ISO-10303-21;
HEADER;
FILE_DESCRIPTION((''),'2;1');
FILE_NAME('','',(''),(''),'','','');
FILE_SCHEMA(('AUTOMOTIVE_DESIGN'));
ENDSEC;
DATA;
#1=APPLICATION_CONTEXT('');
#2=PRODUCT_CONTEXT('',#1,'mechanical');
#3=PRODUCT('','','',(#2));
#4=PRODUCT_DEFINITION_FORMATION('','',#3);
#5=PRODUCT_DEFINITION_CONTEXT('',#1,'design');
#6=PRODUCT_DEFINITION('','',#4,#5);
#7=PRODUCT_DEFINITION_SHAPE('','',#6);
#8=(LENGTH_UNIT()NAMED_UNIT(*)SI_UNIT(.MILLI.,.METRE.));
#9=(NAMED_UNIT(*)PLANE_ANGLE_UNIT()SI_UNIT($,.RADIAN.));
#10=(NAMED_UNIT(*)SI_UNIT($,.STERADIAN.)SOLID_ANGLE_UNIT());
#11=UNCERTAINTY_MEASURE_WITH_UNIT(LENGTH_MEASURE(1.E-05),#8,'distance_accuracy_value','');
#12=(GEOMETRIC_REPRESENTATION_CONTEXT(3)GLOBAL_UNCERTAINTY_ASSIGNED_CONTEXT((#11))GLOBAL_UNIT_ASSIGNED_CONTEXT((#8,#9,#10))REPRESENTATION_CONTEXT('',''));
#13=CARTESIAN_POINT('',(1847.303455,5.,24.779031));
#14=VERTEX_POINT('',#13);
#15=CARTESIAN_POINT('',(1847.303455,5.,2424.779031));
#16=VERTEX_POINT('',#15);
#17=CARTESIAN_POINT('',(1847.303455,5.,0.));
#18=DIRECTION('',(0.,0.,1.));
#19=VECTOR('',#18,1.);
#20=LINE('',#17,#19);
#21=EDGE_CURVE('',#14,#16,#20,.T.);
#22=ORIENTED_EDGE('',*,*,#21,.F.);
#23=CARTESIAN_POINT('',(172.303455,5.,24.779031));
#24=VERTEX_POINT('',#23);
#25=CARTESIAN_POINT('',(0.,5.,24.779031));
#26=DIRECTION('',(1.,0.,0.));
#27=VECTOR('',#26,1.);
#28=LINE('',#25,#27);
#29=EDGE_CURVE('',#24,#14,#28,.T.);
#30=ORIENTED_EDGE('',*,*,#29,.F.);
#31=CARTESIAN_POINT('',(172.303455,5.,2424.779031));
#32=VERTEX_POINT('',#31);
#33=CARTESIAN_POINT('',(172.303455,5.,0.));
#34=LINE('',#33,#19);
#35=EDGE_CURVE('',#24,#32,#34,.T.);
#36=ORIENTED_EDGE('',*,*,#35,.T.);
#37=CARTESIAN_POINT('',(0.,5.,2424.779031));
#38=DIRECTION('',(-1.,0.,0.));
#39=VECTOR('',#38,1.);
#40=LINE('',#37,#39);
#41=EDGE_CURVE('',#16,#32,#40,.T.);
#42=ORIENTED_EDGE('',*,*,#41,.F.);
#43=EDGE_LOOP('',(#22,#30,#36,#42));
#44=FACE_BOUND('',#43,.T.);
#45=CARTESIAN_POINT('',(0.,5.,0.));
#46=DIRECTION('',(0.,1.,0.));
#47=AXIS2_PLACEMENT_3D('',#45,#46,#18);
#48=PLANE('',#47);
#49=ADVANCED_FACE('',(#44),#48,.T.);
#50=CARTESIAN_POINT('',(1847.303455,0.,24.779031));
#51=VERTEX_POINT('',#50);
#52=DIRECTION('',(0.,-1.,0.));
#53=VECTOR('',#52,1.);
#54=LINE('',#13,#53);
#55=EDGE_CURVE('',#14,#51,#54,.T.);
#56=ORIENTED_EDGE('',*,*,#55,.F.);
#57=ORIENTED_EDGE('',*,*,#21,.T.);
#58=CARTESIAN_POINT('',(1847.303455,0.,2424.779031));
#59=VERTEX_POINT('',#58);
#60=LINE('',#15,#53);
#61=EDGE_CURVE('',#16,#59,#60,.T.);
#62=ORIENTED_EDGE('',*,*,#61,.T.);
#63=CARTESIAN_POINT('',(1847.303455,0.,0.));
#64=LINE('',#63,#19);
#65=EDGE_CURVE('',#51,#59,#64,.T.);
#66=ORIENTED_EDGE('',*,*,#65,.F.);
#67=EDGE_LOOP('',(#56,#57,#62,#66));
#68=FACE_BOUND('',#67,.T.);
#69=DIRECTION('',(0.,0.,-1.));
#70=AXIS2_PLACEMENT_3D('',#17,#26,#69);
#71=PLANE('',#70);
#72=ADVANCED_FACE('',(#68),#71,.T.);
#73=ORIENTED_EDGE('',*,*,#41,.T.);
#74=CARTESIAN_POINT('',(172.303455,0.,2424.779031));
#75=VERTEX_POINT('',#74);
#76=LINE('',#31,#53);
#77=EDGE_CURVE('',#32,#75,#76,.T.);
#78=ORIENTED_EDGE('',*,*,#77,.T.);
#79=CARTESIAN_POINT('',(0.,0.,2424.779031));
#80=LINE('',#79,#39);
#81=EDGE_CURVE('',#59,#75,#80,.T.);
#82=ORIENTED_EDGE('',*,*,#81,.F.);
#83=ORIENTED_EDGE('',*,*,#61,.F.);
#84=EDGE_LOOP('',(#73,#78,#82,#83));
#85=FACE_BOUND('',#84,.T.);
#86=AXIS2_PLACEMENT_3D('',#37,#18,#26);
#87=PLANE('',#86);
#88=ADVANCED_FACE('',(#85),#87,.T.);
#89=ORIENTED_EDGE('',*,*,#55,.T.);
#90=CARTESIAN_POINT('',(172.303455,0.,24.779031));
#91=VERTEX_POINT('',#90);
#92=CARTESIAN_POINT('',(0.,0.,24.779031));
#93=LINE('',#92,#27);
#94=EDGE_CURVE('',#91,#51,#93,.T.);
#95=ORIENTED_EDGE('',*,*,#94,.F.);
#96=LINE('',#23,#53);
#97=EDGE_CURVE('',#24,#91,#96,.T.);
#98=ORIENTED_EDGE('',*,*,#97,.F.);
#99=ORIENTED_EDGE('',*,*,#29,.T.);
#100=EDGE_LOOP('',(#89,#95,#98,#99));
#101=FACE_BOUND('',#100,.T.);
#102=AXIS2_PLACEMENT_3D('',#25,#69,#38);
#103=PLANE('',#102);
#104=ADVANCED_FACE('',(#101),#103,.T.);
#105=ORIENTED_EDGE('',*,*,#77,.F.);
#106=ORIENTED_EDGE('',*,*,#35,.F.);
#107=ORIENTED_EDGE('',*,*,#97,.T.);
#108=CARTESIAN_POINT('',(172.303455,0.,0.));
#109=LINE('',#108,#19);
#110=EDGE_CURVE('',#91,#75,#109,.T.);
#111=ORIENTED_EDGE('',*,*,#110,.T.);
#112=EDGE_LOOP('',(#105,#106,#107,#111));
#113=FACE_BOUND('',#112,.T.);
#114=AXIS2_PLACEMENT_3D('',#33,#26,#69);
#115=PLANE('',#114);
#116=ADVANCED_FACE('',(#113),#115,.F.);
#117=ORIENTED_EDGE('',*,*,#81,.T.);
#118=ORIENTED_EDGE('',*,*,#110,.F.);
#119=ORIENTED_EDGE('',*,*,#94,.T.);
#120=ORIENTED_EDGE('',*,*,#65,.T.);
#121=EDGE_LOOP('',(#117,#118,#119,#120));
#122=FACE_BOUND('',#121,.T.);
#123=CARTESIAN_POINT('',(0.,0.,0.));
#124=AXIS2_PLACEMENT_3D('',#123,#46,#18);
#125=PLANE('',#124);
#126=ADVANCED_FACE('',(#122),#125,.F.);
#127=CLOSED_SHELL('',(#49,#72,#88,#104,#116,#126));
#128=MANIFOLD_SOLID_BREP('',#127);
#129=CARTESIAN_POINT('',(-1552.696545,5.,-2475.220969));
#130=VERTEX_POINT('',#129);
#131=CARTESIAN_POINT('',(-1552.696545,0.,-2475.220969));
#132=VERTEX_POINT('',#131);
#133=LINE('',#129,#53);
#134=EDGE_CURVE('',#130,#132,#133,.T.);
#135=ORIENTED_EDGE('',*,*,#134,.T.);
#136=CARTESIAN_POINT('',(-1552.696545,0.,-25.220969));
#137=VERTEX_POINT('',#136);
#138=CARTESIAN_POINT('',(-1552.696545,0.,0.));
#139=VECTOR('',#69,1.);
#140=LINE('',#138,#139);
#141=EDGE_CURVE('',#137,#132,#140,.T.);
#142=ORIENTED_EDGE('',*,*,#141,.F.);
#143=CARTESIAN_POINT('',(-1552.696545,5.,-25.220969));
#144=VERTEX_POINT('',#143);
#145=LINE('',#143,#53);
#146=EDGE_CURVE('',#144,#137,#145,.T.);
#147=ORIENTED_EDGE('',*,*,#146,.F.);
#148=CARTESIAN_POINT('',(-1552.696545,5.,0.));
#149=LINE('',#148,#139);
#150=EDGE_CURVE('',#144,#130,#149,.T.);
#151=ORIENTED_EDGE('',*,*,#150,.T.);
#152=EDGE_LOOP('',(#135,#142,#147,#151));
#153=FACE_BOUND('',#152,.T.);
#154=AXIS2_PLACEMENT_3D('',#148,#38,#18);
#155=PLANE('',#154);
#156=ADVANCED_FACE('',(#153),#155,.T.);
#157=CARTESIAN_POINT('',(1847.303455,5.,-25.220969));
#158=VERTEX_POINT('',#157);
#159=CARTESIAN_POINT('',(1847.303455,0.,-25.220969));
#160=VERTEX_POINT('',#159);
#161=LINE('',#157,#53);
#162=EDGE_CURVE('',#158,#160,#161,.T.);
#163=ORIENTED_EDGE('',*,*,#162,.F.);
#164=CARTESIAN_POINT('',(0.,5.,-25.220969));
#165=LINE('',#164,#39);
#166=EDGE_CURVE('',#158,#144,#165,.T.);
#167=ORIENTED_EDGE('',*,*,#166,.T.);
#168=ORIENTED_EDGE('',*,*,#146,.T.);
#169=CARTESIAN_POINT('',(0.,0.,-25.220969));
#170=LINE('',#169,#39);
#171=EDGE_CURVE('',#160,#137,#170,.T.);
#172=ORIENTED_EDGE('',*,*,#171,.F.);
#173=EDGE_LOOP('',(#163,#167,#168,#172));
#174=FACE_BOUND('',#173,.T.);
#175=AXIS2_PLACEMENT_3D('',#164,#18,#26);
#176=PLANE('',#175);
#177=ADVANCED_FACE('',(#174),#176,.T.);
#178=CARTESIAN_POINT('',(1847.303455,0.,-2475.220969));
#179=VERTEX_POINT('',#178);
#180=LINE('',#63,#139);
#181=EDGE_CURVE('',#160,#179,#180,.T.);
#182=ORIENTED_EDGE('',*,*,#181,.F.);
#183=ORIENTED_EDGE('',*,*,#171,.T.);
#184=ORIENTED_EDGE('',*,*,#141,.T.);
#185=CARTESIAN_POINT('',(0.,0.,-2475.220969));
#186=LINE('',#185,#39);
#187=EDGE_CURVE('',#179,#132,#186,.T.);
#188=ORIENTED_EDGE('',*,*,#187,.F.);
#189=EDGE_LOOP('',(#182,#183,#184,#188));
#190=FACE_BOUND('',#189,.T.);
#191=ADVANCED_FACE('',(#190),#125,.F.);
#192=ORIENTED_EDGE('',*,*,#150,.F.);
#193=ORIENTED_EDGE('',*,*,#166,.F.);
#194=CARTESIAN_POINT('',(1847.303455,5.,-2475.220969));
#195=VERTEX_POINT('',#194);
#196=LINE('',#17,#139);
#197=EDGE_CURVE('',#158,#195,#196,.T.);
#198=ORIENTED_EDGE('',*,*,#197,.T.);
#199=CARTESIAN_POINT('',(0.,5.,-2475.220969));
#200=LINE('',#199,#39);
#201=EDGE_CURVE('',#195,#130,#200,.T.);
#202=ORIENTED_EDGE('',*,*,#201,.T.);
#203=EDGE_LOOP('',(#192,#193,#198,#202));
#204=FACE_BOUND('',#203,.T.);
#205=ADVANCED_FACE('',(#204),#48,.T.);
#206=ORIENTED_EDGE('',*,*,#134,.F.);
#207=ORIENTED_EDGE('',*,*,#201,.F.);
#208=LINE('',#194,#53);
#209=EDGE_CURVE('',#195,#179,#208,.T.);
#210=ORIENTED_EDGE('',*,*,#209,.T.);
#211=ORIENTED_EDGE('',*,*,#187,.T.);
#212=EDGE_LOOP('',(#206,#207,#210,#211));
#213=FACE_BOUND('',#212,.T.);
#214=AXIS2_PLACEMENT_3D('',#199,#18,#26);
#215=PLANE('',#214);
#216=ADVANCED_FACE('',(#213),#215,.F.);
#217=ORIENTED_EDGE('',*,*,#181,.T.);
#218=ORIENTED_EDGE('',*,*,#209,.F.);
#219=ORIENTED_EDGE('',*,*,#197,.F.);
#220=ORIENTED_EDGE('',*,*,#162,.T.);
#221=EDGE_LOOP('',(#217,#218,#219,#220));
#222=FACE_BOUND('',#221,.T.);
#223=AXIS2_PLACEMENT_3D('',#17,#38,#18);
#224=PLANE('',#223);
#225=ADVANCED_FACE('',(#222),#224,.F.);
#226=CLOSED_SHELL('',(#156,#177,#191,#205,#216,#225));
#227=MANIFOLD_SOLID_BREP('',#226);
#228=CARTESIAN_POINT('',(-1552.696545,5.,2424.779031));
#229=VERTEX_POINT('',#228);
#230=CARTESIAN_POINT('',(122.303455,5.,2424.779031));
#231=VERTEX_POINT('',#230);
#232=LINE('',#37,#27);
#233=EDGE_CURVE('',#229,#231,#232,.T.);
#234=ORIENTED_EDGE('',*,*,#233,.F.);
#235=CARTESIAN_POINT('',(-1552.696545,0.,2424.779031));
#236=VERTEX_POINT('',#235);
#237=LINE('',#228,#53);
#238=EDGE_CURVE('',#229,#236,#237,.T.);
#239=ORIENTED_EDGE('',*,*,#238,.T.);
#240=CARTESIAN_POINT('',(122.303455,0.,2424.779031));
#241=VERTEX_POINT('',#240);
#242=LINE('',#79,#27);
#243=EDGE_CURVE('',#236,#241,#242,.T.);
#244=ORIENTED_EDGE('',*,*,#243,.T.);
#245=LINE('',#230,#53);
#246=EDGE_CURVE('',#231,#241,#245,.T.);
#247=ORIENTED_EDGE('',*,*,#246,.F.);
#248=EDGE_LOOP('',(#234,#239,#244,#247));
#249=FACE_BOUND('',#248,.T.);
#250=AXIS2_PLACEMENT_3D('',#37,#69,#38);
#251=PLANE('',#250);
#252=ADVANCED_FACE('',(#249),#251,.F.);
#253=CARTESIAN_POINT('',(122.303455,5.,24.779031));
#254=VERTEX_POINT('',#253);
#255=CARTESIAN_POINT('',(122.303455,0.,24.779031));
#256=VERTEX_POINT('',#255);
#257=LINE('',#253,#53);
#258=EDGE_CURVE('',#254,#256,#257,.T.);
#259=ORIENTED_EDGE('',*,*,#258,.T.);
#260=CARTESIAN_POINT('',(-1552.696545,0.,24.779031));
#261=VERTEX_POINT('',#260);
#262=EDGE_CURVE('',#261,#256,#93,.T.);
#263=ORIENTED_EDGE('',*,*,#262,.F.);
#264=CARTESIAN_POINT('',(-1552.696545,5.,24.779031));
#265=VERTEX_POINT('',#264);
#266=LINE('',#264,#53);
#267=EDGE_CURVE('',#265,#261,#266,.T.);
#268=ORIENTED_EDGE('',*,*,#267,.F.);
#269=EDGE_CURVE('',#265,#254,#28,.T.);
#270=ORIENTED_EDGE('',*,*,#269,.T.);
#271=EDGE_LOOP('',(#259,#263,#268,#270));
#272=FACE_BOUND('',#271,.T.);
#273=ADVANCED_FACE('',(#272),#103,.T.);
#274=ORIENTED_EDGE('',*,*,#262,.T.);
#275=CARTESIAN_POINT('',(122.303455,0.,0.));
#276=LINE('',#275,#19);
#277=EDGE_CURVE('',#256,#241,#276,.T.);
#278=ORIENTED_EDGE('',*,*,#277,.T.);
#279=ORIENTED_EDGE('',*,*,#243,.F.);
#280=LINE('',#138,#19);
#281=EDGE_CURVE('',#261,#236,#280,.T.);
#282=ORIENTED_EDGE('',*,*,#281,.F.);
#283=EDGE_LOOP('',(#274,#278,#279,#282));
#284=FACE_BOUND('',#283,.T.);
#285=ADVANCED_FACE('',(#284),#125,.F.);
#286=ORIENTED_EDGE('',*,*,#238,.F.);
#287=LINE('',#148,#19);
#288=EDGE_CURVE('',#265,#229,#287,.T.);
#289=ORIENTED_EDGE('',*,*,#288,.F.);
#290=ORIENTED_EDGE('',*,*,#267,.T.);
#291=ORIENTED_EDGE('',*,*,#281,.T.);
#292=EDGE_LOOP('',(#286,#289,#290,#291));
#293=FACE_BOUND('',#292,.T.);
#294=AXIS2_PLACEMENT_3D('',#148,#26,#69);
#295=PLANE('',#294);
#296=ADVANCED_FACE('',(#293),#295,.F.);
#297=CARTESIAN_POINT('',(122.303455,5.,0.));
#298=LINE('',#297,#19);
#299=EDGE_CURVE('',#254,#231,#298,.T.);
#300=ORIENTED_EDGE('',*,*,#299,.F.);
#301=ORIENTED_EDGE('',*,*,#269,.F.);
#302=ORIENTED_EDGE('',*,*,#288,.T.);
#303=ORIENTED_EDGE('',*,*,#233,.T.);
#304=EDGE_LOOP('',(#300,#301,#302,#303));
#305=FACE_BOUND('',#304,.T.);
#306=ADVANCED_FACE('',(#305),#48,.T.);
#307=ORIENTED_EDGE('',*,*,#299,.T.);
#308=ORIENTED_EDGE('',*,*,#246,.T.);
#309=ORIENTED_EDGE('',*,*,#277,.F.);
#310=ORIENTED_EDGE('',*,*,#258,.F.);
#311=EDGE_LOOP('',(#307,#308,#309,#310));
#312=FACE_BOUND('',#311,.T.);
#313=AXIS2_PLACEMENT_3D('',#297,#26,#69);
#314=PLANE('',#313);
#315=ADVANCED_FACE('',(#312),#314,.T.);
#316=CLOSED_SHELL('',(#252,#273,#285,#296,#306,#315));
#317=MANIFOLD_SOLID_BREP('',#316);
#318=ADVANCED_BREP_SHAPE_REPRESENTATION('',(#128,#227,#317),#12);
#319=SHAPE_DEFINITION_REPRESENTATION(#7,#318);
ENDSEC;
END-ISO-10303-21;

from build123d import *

# Parameters (mm, degrees)
SKETCH1_W             = 3400
SKETCH1_H             = 2450
BOSS_EXTRUDE1_DEPTH   = 5
SKETCH1_W_2           = 1675
SKETCH1_H_2           = 2400
BOSS_EXTRUDE1_2_DEPTH = 5
BOSS_EXTRUDE1_3_DEPTH = 5


with BuildPart() as part:
    # Sketch1 → Boss-Extrude1 (new body)
    with BuildSketch(Plane(origin=(0, 0, 0), x_dir=(1, 0, 0), z_dir=(0, 1, 0))):
        with Locations((147.303454747, 1250.220969453)):
            Rectangle(SKETCH1_W, SKETCH1_H)
    extrude(amount=BOSS_EXTRUDE1_DEPTH)


with BuildPart() as body_2:
    # Sketch1 → Boss-Extrude1 2 (new body)
    with BuildSketch(Plane(origin=(0, 0, 0), x_dir=(1, 0, 0), z_dir=(0, 1, 0))):
        with Locations((1009.803454747, -1224.779030547)):
            Rectangle(SKETCH1_W_2, SKETCH1_H_2)
    extrude(amount=BOSS_EXTRUDE1_2_DEPTH)


with BuildPart() as body_3:
    # Sketch1 → Boss-Extrude1 3 (new body)
    with BuildSketch(Plane(origin=(0, 0, 0), x_dir=(1, 0, 0), z_dir=(0, 1, 0))):
        with Locations((-715.196545253, -1224.779030547)):
            Rectangle(SKETCH1_W_2, SKETCH1_H_2)
    extrude(amount=BOSS_EXTRUDE1_3_DEPTH)


solid = Compound([part.part, body_2.part, body_3.part])
